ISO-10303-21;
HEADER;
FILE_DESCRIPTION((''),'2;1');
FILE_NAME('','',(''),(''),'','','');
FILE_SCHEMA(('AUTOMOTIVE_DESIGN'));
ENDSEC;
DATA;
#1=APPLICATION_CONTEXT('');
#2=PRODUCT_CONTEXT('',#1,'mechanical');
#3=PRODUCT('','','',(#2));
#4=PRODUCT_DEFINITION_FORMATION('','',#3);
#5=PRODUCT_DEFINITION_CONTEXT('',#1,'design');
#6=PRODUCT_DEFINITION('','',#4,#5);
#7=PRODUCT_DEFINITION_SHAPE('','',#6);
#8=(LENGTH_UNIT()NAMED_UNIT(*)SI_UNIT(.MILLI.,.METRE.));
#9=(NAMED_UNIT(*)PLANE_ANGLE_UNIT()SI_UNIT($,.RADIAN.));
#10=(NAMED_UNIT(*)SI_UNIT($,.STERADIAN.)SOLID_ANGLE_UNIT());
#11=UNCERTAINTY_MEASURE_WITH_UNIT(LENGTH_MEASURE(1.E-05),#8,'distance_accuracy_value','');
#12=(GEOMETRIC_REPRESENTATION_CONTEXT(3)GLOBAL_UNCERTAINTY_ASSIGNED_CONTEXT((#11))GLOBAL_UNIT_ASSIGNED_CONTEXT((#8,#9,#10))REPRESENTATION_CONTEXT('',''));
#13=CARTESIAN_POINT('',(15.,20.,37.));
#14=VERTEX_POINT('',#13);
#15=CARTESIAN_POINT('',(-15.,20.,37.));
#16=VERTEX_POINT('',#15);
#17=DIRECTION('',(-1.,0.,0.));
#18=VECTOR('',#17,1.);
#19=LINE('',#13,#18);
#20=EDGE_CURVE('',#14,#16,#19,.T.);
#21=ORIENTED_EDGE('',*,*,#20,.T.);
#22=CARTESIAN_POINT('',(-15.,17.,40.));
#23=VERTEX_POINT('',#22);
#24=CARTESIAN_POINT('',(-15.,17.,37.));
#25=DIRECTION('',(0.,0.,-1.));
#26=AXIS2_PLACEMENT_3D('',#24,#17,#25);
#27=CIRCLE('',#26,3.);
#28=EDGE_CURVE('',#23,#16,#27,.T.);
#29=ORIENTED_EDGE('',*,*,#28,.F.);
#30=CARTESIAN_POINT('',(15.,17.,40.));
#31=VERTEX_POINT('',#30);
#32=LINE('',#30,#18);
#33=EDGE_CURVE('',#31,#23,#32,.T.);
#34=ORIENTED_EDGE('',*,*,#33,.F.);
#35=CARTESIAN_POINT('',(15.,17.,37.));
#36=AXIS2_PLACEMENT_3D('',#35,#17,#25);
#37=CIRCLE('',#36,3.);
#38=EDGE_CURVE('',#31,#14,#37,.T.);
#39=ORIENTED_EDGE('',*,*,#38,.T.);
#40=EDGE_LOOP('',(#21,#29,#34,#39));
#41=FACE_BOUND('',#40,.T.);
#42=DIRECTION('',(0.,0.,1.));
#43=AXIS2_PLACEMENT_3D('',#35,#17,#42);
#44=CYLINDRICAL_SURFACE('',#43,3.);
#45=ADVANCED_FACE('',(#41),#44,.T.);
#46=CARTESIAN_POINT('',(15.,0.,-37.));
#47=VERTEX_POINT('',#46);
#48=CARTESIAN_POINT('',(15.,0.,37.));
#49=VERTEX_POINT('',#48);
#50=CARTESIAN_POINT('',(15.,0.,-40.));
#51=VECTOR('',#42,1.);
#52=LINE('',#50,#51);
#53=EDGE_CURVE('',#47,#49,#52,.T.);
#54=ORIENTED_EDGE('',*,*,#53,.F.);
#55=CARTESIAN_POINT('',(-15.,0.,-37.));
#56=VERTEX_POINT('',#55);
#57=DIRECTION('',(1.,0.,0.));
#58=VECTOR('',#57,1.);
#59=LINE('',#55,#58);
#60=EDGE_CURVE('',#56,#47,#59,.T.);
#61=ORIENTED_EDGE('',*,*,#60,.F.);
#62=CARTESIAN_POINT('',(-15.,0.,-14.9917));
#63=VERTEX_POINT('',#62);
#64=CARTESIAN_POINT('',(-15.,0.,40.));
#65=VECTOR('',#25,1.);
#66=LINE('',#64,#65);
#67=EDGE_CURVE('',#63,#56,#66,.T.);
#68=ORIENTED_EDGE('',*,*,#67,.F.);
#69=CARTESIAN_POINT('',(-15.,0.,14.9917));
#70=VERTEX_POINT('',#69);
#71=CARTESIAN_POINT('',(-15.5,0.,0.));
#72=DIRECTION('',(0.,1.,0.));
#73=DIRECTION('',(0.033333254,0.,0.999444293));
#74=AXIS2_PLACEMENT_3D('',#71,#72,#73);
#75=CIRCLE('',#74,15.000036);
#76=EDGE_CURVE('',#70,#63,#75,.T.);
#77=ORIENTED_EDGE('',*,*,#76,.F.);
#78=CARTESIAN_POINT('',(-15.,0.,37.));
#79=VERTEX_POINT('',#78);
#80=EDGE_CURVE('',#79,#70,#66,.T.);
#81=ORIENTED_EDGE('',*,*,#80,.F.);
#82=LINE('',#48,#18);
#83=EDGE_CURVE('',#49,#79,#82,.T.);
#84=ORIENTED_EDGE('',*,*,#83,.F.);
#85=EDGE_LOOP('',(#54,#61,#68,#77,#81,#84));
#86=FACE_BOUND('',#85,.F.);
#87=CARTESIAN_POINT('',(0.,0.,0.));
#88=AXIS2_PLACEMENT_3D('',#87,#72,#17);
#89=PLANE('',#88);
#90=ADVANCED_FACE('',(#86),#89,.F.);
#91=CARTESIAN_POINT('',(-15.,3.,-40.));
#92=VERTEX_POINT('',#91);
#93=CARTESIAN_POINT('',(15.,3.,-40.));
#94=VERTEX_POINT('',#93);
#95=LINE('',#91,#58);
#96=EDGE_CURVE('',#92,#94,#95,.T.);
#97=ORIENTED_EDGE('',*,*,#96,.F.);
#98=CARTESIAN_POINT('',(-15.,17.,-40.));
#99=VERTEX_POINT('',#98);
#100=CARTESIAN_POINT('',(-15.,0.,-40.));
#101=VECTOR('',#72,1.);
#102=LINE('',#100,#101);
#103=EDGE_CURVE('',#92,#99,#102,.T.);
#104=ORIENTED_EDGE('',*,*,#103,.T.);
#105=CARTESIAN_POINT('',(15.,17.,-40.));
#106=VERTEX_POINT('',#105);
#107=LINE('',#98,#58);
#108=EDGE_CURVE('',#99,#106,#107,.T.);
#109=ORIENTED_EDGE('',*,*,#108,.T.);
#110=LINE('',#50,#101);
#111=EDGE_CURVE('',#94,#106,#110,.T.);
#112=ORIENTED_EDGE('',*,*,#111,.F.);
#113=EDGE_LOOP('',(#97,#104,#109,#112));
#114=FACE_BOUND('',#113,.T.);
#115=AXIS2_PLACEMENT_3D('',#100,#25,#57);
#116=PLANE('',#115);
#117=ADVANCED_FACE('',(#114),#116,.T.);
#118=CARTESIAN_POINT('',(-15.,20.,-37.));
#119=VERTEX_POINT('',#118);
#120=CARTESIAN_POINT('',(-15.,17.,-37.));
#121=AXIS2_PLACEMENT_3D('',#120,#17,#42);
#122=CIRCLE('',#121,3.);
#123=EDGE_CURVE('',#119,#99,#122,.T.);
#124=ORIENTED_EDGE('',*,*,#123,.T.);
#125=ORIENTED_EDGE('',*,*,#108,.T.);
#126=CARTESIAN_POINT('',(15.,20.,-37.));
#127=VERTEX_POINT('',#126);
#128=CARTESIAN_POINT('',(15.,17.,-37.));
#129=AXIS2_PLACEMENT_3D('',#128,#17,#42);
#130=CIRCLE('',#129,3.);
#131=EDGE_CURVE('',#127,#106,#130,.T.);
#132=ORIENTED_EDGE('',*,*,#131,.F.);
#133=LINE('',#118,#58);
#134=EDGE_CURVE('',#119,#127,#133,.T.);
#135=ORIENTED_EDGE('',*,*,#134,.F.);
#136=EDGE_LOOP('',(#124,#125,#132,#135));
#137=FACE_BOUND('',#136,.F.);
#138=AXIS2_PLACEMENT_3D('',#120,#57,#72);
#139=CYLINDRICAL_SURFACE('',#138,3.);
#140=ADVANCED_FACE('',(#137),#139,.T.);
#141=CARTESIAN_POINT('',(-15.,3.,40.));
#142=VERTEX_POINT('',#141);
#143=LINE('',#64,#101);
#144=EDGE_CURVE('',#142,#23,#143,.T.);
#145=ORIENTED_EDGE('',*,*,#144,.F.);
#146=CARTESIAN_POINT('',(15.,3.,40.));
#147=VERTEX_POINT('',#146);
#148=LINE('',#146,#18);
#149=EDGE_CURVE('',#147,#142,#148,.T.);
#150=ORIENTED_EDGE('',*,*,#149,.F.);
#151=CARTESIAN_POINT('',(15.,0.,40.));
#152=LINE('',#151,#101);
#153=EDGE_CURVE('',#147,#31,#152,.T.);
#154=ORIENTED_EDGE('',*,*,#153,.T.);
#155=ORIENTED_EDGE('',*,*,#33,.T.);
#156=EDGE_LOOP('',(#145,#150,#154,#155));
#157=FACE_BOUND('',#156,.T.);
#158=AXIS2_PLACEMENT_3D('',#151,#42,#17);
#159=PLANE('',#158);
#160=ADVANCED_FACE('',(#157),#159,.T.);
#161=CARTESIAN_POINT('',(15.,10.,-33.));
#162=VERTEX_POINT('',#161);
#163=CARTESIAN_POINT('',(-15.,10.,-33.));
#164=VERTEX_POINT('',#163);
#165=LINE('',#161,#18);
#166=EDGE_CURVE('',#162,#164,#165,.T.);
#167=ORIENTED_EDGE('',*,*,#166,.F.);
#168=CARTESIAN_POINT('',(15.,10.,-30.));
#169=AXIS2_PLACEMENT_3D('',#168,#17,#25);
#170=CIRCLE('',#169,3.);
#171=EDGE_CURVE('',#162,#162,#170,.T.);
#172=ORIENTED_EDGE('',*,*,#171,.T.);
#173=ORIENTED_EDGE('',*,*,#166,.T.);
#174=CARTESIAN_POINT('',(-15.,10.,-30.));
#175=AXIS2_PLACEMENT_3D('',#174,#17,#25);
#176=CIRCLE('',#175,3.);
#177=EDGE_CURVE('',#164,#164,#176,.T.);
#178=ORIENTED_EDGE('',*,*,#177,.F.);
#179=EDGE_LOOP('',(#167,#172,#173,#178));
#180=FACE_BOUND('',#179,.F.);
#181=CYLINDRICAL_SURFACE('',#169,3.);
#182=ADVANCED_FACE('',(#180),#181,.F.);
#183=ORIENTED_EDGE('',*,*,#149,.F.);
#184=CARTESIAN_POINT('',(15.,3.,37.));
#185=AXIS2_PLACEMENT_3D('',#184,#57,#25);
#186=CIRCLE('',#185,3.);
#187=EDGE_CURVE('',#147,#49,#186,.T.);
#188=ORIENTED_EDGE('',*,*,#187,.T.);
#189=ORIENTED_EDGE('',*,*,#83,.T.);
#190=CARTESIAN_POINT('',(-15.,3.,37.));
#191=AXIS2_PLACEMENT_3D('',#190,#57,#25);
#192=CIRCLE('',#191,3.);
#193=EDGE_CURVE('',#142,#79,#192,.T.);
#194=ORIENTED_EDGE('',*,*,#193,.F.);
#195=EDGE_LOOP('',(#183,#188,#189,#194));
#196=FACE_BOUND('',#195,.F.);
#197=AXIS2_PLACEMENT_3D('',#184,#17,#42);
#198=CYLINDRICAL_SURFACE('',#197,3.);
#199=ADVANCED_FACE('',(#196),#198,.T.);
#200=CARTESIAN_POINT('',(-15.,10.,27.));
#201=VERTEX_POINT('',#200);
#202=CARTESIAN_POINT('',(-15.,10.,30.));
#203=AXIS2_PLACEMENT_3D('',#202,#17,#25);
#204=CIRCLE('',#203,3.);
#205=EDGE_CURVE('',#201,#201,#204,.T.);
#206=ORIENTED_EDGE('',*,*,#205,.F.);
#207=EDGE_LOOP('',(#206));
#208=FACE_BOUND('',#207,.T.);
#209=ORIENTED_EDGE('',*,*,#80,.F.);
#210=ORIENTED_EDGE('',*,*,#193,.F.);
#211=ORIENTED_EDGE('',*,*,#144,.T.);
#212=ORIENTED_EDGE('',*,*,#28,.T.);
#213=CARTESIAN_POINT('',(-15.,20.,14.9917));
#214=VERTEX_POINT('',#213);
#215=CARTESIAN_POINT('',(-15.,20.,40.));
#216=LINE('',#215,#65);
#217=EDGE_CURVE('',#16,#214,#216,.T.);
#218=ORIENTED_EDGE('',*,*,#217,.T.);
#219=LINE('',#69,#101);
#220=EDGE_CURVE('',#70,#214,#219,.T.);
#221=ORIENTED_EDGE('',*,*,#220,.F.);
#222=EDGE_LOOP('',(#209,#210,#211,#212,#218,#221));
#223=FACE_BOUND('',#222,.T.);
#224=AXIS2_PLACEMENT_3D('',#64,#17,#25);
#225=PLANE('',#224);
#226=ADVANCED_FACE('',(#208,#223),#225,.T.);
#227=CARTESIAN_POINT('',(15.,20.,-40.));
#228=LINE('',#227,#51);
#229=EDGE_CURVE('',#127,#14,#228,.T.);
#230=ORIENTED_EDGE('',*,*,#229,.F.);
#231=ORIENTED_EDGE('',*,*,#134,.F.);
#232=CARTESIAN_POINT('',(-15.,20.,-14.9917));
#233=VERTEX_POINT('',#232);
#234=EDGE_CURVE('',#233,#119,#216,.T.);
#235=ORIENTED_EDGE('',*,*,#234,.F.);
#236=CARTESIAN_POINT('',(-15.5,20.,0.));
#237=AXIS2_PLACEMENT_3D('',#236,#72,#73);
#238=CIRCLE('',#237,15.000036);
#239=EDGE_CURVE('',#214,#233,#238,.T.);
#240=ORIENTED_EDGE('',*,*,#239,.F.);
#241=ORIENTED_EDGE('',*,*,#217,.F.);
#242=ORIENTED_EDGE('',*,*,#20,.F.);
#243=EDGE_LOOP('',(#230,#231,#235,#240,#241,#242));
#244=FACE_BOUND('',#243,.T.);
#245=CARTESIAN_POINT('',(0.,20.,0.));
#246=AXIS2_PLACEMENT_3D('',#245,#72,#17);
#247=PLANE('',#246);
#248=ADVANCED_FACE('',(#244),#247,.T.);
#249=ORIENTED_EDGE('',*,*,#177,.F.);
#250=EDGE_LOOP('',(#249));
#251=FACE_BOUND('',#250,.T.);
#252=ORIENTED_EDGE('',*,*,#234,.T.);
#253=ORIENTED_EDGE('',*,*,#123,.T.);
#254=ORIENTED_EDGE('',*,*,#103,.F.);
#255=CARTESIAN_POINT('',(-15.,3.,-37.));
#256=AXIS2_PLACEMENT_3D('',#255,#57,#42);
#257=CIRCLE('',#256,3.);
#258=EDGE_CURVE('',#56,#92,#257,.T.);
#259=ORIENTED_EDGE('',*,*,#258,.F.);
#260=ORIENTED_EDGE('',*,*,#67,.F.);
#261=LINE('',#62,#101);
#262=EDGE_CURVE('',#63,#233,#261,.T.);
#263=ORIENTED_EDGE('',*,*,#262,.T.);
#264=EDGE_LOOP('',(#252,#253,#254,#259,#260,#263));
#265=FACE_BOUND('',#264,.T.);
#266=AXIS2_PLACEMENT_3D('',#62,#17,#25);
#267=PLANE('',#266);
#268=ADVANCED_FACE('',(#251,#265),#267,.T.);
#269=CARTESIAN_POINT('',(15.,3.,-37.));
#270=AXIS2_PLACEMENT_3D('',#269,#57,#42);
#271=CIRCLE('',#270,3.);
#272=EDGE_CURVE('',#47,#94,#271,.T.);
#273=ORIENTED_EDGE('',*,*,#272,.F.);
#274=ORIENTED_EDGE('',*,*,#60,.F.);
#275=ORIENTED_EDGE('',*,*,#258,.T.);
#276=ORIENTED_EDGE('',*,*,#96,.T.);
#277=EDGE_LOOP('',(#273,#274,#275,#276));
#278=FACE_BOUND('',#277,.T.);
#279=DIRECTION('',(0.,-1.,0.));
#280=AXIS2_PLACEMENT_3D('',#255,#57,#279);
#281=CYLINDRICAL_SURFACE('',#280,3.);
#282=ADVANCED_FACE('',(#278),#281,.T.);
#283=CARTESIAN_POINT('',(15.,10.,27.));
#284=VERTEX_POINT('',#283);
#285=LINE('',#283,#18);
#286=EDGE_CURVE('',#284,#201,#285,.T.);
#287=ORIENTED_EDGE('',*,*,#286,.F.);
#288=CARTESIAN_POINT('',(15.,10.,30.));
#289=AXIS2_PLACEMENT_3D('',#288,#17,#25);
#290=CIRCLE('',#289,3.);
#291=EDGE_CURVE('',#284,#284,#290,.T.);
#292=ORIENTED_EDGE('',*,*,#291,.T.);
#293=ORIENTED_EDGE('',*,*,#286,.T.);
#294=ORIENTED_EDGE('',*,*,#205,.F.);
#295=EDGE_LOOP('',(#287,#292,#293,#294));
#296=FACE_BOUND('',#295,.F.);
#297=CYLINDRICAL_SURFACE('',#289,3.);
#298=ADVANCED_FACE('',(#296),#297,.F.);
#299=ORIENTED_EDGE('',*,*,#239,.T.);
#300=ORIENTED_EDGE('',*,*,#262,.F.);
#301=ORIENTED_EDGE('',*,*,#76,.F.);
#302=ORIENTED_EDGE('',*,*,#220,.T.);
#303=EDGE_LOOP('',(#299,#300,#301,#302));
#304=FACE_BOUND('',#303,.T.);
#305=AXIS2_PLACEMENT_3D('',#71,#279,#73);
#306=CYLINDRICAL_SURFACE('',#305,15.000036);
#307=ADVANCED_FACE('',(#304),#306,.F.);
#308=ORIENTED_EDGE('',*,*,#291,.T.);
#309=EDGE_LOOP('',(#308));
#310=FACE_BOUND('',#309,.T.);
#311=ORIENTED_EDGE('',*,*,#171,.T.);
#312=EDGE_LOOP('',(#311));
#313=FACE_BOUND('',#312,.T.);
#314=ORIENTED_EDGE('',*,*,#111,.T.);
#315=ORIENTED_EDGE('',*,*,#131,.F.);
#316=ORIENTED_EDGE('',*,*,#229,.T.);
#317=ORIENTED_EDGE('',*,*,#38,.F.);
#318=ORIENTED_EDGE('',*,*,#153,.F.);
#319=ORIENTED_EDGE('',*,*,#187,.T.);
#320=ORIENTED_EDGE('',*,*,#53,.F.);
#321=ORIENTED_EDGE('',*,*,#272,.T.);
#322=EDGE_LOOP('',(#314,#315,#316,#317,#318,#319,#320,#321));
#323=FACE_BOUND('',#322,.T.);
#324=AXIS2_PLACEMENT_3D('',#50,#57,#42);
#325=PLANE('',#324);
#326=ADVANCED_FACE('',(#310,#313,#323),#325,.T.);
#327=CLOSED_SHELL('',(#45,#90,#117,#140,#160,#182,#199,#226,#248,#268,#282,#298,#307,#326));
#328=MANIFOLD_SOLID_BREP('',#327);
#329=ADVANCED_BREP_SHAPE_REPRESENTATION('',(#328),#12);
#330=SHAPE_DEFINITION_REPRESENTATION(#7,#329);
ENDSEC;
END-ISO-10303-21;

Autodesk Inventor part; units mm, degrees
ref_plane "YZ Plane" through (0, 0, 0) normal (1, 0, 0) x (0, 1, 0)
ref_plane "XZ Plane" through (0, 0, 0) normal (0, 1, 0) x (-1, 0, 0)
ref_plane "XY Plane" through (0, 0, 0) normal (0, 0, 1) x (1, 0, 0)
sketch "Sketch1" plane through (0, 0, 0) normal (0, 1, 0) x (-1, 0, 0)
  line L0 (-15, 40) -> (15, 40)
  line L1 (15, 40) -> (15, -40)
  line L2 (15, -40) -> (-15, -40)
  line L3 (-15, -40) -> (-15, 40)
  arc A0 (15, 14.9917) -> (15, -14.9917) centre (15.5, 0) ccw
  point P0 (0, 0)
  dimension "d0" = 80
  dimension "d1" = 30
  dimension "d2" = 40
  dimension "d3" = 15
  dimension "d4" = 30
  dimension "d22" = 0.5
extrude "Extrusion1" add sketch "Sketch1" along normal blind 20 contours L0 L1 A0 L2 L3
sketch "Sketch2" plane through (15, 0, 40) normal (1, 0, 0) x (0, 0, -1)
  line L0 (0, 0) -> (80, 0) projected
  line L1 (80, 0) -> (80, 20) projected
  line L2 (0, 20) -> (80, 20) projected
  line L3 (0, 0) -> (0, 20) projected
  point P0 (40, 0)
  point P1 (10, 10)
  point P2 (70, 10)
  dimension "d8" = 10
  dimension "d9" = 10
  dimension "d10" = 10
  dimension "d11" = 10
hole "Hole1" at (15, 10, 30) at (15, 10, -30) direction (-1, 0, 0) diameter 6 end through all
fillet "Fillet1" radius 3 4 edges at (0, 20, -40) (0, 20, 40) (0, 0, 40) (0, 0, -40)
equation "\"d2\" = 0.5 * d0"
equation "\"d3\" = 0.5 * d1"
equation "\"d9\" = d8"
properties part number "3DP_ASA_Balcony_Mounting_Clamp_Front"
